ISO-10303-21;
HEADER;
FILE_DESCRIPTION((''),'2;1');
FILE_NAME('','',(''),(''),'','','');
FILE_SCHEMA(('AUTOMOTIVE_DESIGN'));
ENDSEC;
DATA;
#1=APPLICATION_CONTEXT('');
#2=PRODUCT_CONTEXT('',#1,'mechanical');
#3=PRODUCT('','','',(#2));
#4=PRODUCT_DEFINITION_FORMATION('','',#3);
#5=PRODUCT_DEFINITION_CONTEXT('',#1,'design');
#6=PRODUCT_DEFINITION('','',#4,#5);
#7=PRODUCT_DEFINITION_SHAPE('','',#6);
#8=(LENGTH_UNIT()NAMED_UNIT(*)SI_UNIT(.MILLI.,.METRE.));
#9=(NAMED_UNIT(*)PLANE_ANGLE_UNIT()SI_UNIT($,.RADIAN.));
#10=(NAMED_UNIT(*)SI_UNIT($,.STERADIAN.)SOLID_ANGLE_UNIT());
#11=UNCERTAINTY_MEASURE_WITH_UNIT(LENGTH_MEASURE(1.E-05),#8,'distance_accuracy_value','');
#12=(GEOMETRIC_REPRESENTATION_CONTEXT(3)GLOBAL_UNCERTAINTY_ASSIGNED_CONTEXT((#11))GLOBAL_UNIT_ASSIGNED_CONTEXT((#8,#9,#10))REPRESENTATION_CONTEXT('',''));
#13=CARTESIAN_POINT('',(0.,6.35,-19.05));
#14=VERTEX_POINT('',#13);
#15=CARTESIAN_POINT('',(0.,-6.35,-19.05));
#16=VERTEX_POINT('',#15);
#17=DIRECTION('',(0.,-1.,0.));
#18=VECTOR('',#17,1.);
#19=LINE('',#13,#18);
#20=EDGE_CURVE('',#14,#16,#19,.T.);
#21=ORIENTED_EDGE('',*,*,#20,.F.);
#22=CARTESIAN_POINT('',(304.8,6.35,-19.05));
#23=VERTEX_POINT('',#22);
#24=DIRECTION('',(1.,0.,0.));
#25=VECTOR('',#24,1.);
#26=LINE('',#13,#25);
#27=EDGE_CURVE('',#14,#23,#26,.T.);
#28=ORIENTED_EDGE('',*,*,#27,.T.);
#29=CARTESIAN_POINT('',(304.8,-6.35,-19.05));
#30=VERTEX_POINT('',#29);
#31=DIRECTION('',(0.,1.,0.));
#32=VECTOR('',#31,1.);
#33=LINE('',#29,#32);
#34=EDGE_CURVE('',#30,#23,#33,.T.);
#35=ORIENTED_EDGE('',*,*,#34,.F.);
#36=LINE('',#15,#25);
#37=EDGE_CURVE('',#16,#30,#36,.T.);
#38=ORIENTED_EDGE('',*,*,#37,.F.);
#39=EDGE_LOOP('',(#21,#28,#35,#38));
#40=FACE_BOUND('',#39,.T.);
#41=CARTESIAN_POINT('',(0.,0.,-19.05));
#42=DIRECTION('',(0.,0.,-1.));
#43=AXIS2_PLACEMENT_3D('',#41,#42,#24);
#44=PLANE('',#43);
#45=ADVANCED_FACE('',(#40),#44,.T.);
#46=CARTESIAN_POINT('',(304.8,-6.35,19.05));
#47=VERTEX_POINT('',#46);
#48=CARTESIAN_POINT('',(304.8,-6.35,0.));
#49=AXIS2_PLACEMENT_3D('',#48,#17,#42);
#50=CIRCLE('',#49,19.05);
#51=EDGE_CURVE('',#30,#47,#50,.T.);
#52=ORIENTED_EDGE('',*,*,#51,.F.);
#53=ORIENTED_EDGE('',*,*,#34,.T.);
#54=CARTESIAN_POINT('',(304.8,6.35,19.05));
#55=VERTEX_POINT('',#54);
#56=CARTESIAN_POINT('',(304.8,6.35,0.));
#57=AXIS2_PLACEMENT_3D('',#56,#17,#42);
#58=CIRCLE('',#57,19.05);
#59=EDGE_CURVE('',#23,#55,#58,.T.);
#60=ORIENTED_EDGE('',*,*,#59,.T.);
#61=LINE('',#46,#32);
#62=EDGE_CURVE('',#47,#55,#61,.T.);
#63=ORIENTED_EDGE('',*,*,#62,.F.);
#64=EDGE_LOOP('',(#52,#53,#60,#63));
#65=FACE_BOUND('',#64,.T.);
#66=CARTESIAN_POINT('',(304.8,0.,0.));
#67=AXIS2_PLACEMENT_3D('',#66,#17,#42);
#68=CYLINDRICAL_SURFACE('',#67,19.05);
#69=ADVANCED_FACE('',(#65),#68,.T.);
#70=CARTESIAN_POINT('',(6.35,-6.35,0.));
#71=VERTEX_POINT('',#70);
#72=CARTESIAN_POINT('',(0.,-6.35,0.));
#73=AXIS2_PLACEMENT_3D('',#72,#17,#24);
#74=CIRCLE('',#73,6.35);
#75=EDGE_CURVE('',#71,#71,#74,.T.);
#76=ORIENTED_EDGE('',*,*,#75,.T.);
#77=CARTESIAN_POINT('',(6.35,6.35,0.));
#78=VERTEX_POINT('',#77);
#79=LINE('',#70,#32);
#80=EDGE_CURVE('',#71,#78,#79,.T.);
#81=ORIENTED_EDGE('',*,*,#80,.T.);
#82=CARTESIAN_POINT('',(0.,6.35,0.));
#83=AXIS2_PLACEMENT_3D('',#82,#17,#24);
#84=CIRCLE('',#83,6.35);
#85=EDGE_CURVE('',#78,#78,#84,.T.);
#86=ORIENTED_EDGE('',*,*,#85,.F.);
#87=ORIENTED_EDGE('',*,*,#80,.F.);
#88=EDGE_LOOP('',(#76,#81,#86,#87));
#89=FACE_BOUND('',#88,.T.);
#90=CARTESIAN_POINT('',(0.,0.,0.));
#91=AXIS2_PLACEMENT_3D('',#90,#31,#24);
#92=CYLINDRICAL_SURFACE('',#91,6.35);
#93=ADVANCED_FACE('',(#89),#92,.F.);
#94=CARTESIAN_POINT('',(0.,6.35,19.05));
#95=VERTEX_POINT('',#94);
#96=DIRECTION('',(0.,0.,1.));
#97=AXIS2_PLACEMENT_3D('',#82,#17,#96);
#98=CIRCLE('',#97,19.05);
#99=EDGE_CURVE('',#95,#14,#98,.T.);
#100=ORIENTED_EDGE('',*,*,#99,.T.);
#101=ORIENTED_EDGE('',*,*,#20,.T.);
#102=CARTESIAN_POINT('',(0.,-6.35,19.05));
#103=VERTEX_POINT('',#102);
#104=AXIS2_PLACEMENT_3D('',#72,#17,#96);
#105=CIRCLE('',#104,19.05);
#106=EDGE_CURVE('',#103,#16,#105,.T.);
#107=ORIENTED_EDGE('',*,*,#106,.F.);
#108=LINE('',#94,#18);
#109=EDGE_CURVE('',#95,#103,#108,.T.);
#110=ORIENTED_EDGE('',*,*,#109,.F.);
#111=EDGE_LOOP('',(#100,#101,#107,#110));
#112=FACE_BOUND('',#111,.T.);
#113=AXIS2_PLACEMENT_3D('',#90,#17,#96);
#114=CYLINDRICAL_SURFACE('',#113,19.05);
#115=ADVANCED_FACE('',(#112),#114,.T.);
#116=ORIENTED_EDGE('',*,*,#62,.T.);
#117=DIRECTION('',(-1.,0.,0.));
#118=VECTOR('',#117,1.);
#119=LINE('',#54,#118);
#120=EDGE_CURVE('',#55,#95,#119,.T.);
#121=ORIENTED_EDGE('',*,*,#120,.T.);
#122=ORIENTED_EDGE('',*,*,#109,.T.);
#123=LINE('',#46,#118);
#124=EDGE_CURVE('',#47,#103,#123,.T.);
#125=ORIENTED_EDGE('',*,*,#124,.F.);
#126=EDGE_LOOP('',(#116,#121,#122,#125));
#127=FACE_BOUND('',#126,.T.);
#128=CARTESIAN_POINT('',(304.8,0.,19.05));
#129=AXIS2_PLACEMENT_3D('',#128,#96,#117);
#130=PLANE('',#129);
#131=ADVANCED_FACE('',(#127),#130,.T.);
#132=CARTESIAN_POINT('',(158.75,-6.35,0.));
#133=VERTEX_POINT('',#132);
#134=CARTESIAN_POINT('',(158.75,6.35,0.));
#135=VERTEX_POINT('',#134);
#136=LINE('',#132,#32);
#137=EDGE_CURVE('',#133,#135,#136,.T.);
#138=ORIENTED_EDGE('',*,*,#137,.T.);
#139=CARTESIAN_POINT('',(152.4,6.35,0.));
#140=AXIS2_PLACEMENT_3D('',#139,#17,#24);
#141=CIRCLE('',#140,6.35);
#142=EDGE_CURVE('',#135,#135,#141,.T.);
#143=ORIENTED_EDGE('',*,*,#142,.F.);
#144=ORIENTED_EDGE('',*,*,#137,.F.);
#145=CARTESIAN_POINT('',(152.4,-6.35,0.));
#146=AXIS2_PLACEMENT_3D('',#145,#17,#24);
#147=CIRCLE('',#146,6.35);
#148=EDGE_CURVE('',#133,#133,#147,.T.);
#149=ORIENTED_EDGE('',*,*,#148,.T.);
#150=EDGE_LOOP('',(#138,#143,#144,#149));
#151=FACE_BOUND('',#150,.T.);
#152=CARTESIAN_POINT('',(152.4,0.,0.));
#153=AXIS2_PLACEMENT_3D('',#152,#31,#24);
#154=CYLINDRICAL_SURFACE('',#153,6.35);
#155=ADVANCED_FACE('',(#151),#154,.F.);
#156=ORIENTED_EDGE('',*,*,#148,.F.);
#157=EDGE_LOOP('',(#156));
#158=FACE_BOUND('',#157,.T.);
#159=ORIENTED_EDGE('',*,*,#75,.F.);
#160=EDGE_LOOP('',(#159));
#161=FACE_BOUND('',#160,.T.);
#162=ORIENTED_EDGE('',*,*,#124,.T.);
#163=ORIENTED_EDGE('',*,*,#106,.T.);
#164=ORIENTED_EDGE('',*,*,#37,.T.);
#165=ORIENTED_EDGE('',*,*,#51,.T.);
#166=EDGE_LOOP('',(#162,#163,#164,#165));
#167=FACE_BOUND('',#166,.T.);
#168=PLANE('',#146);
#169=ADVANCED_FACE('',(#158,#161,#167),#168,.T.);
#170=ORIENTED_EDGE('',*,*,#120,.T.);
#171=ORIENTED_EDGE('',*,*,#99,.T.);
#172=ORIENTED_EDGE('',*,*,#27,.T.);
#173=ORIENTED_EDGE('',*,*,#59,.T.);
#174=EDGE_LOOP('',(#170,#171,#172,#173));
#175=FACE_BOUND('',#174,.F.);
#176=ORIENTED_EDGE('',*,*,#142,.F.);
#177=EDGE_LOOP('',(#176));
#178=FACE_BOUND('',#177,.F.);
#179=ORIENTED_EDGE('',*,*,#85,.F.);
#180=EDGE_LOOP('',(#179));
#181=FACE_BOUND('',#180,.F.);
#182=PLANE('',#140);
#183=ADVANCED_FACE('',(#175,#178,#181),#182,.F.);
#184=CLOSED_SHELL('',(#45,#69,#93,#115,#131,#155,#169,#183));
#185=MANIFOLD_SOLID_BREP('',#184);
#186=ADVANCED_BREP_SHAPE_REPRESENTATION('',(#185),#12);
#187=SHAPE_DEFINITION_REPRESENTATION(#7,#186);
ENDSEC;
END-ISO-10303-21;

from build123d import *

# Parameters (mm, degrees)
F0_R     = 6.35
F1_DEPTH = 6.35


with BuildPart() as f1:
    # F0 (on Front) → F1 (new body, symmetric)
    with BuildSketch(Plane.XZ):
        with BuildLine():
            Line((304.8, 19.05), (0, 19.05))
            ThreePointArc((0, 19.05), (-19.05, 0), (0, -19.05))
            Line((0, -19.05), (304.8, -19.05))
            ThreePointArc((304.8, -19.05), (323.85, 0), (304.8, 19.05))
        make_face()
        Circle(F0_R, mode=Mode.SUBTRACT)
        with Locations((152.4, 0)):
            Circle(F0_R, mode=Mode.SUBTRACT)
    extrude(amount=F1_DEPTH, both=True)


solid = f1.part
